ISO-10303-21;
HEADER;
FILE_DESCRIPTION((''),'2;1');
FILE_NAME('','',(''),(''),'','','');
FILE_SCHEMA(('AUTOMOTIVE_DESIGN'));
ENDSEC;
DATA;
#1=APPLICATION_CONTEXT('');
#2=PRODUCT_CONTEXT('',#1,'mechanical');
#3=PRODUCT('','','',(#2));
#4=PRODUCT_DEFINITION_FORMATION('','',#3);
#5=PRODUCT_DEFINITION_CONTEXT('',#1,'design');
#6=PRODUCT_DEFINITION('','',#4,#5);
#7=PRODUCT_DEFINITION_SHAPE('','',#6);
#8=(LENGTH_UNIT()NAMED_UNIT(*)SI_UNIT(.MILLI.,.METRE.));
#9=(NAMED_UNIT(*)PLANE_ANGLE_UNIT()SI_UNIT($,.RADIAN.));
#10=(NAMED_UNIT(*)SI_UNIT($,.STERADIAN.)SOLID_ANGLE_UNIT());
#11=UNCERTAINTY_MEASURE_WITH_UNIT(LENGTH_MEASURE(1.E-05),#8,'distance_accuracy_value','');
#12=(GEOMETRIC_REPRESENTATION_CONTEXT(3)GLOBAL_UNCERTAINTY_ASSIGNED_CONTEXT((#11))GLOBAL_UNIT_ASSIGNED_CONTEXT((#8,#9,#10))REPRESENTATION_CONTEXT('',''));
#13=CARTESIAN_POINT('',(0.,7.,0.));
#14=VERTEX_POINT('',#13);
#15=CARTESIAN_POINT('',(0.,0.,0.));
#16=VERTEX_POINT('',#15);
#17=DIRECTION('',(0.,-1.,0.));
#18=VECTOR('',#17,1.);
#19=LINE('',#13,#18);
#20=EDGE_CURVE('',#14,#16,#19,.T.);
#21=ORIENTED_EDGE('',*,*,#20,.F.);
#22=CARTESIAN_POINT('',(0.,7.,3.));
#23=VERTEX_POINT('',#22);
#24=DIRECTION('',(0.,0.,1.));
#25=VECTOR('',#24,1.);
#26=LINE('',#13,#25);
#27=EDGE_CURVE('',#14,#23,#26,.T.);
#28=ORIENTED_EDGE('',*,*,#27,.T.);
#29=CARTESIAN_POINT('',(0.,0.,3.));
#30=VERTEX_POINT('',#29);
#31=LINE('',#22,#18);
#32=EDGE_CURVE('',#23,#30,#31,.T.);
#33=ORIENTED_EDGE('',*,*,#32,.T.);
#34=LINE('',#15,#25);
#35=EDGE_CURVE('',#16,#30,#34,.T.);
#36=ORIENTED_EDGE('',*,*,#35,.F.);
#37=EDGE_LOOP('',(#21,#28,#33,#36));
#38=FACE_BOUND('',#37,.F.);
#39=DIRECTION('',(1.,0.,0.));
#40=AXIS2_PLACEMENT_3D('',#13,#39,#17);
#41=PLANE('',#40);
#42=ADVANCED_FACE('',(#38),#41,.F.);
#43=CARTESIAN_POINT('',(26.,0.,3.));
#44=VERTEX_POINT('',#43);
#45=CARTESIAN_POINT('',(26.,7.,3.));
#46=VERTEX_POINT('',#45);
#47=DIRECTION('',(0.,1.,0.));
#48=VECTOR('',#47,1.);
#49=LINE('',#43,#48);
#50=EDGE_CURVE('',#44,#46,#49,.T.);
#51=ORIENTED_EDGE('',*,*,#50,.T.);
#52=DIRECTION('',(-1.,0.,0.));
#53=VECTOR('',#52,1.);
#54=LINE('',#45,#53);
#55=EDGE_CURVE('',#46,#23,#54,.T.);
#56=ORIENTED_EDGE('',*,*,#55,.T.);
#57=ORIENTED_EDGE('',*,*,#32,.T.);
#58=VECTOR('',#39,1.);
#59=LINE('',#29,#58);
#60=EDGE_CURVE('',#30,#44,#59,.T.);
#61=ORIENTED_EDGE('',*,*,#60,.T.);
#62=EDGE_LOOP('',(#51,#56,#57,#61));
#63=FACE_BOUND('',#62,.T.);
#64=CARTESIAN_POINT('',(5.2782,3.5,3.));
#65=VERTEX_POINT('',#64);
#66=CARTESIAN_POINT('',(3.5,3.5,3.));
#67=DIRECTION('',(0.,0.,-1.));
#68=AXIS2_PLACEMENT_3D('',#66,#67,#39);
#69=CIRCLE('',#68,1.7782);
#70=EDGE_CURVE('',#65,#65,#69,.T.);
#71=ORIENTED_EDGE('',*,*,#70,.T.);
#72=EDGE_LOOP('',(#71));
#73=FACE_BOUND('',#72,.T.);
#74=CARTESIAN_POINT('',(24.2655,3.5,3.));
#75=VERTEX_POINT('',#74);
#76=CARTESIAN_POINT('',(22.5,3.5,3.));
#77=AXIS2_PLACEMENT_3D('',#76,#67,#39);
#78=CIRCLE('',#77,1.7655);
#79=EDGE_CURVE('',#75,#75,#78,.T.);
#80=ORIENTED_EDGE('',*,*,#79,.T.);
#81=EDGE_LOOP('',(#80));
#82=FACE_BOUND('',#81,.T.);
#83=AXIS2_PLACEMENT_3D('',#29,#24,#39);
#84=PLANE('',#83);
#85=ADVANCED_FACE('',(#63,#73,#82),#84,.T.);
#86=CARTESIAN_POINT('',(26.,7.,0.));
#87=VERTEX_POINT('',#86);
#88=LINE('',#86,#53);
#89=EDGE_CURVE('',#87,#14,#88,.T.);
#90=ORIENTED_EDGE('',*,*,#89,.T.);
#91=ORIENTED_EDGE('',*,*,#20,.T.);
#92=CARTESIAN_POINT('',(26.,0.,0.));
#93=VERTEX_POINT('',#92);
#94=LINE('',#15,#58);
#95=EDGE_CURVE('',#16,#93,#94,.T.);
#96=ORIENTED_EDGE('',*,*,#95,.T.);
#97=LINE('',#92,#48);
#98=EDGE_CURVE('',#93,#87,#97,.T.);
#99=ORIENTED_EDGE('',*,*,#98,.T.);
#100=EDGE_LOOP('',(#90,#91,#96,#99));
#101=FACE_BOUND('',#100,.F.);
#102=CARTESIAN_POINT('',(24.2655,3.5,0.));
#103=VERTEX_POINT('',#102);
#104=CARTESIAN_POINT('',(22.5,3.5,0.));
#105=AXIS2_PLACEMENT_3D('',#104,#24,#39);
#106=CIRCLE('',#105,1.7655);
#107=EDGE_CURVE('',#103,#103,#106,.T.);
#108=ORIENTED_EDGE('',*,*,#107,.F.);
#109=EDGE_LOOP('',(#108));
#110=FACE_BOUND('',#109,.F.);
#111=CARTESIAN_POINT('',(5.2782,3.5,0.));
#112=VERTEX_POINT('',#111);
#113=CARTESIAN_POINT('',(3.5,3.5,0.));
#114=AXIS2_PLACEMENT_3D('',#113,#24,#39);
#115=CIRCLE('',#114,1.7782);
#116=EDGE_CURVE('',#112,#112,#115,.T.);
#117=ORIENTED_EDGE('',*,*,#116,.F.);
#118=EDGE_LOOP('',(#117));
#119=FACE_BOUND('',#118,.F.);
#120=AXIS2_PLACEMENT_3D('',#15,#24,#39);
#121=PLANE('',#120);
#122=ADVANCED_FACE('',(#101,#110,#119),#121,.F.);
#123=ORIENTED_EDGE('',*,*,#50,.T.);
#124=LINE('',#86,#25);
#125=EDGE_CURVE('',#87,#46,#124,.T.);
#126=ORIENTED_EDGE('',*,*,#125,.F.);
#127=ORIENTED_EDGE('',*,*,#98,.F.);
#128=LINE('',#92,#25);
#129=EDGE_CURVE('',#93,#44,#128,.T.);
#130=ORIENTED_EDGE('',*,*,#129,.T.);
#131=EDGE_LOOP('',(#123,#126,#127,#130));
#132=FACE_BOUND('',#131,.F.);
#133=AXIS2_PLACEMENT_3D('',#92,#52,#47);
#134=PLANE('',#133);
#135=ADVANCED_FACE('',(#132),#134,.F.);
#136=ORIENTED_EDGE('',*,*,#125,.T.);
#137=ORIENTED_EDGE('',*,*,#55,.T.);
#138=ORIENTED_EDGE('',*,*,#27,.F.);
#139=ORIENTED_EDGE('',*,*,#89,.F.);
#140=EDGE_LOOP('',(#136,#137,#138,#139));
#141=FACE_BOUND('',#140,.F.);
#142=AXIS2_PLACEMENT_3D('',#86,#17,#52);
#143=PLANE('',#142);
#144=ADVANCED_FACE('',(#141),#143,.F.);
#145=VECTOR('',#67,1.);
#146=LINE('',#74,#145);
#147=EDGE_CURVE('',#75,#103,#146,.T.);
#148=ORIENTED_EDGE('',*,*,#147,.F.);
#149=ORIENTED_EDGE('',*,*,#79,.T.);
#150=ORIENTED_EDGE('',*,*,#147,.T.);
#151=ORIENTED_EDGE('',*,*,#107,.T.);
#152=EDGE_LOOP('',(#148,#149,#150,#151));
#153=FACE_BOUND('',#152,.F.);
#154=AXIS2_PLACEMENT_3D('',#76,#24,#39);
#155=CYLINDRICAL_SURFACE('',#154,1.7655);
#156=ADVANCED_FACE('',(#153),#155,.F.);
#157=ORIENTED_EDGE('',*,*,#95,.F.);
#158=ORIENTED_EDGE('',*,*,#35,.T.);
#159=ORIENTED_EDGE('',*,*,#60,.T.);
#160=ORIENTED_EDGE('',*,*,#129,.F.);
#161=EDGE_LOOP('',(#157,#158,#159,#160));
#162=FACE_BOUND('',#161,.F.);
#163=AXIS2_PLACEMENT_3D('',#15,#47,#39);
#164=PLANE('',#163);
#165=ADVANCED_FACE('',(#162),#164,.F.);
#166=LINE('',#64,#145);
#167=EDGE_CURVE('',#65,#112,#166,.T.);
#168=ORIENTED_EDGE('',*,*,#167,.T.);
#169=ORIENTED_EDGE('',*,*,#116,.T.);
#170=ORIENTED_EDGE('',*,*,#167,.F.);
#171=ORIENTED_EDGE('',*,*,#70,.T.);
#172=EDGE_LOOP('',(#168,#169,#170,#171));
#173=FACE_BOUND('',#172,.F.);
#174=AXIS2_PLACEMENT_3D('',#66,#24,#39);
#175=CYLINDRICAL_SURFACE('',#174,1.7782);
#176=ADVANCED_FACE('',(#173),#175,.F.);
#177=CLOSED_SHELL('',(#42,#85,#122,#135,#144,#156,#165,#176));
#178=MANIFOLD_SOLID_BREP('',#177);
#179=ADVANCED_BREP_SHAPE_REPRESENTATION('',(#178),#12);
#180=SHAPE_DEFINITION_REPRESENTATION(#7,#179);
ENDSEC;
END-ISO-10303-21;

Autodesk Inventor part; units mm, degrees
ref_plane "YZ Plane" through (0, 0, 0) normal (1, 0, 0) x (0, 1, 0)
ref_plane "XZ Plane" through (0, 0, 0) normal (0, 1, 0) x (-1, 0, 0)
ref_plane "XY Plane" through (0, 0, 0) normal (0, 0, 1) x (1, 0, 0)
sketch "Sketch1" plane through (0, 0, 0) normal (0, 0, 1) x (1, 0, 0)
  line L0 (0, 0) -> (26, 0)
  line L1 (26, 0) -> (26, 7)
  line L2 (26, 7) -> (0, 7)
  line L3 (0, 7) -> (0, 0)
  dimension "d0" = 26
  dimension "d1" = 7
extrude "Extrusion1" add sketch "Sketch1" along normal blind 3
sketch "Sketch2" plane through (0, 0, 3) normal (0, 0, 1) x (1, 0, 0)
  line L0 (0, 0) -> (26, 0) projected
  line L1 (26, 7) -> (0, 7) projected
  line L2 (0, 7) -> (3.5739, 7)
  line L3 (3.5739, 0) -> (0, 0)
  line L4 (0, 0) -> (0, 7)
  line L5 (3.5739, 0) -> (22.546, 0)
  line L6 (22.546, 7) -> (3.5739, 7)
  line L7 (22.546, 7) -> (26, 7)
  line L8 (26, 7) -> (26, 0)
  line L9 (26, 0) -> (22.546, 0)
  line L10 (0, 0) -> (3.4896, 0)
  line L11 (3.4896, 7) -> (0, 7)
  line L12 (0, 7) -> (0, 0)
  line L13 (3.4896, 7) -> (22.4896, 7)
  line L14 (22.4896, 0) -> (3.4896, 0)
  line L15 (22.4896, 0) -> (26, 0)
  line L16 (26, 0) -> (26, 7)
  line L17 (26, 7) -> (22.4896, 7)
  line L18 (0, 0) -> (3.5, 0)
  line L19 (3.5, 0) -> (3.5, 7)
  line L20 (3.5, 7) -> (0, 7)
  line L21 (0, 7) -> (0, 0)
  line L22 (3.5, 0) -> (22.5, 0)
  line L23 (22.5, 0) -> (22.5, 7)
  line L24 (22.5, 7) -> (3.5, 7)
  line L25 (3.5, 7) -> (3.5, 0)
  line L26 (26, 0) -> (22.5, 0)
  line L27 (22.5, 0) -> (22.5, 3.5)
  line L28 (22.5, 3.5) -> (26, 3.5)
  line L29 (26, 3.5) -> (26, 0)
  circle A0 centre (3.5, 3.5) radius 1.7782
  circle A1 centre (22.5, 3.5) radius 1.7655
  dimension "d13" = 3.5
  dimension "d14" = 19
  dimension "d15" = 3.5564
  dimension "d16" = 3.531
extrude "Extrusion2" cut sketch "Sketch2" against normal blind 4.25 contours A0 L19 | L19 A0 | A1 L23 | L23 L28 A1 | L23 A1 L28
properties part number "Transmitter clamp"
